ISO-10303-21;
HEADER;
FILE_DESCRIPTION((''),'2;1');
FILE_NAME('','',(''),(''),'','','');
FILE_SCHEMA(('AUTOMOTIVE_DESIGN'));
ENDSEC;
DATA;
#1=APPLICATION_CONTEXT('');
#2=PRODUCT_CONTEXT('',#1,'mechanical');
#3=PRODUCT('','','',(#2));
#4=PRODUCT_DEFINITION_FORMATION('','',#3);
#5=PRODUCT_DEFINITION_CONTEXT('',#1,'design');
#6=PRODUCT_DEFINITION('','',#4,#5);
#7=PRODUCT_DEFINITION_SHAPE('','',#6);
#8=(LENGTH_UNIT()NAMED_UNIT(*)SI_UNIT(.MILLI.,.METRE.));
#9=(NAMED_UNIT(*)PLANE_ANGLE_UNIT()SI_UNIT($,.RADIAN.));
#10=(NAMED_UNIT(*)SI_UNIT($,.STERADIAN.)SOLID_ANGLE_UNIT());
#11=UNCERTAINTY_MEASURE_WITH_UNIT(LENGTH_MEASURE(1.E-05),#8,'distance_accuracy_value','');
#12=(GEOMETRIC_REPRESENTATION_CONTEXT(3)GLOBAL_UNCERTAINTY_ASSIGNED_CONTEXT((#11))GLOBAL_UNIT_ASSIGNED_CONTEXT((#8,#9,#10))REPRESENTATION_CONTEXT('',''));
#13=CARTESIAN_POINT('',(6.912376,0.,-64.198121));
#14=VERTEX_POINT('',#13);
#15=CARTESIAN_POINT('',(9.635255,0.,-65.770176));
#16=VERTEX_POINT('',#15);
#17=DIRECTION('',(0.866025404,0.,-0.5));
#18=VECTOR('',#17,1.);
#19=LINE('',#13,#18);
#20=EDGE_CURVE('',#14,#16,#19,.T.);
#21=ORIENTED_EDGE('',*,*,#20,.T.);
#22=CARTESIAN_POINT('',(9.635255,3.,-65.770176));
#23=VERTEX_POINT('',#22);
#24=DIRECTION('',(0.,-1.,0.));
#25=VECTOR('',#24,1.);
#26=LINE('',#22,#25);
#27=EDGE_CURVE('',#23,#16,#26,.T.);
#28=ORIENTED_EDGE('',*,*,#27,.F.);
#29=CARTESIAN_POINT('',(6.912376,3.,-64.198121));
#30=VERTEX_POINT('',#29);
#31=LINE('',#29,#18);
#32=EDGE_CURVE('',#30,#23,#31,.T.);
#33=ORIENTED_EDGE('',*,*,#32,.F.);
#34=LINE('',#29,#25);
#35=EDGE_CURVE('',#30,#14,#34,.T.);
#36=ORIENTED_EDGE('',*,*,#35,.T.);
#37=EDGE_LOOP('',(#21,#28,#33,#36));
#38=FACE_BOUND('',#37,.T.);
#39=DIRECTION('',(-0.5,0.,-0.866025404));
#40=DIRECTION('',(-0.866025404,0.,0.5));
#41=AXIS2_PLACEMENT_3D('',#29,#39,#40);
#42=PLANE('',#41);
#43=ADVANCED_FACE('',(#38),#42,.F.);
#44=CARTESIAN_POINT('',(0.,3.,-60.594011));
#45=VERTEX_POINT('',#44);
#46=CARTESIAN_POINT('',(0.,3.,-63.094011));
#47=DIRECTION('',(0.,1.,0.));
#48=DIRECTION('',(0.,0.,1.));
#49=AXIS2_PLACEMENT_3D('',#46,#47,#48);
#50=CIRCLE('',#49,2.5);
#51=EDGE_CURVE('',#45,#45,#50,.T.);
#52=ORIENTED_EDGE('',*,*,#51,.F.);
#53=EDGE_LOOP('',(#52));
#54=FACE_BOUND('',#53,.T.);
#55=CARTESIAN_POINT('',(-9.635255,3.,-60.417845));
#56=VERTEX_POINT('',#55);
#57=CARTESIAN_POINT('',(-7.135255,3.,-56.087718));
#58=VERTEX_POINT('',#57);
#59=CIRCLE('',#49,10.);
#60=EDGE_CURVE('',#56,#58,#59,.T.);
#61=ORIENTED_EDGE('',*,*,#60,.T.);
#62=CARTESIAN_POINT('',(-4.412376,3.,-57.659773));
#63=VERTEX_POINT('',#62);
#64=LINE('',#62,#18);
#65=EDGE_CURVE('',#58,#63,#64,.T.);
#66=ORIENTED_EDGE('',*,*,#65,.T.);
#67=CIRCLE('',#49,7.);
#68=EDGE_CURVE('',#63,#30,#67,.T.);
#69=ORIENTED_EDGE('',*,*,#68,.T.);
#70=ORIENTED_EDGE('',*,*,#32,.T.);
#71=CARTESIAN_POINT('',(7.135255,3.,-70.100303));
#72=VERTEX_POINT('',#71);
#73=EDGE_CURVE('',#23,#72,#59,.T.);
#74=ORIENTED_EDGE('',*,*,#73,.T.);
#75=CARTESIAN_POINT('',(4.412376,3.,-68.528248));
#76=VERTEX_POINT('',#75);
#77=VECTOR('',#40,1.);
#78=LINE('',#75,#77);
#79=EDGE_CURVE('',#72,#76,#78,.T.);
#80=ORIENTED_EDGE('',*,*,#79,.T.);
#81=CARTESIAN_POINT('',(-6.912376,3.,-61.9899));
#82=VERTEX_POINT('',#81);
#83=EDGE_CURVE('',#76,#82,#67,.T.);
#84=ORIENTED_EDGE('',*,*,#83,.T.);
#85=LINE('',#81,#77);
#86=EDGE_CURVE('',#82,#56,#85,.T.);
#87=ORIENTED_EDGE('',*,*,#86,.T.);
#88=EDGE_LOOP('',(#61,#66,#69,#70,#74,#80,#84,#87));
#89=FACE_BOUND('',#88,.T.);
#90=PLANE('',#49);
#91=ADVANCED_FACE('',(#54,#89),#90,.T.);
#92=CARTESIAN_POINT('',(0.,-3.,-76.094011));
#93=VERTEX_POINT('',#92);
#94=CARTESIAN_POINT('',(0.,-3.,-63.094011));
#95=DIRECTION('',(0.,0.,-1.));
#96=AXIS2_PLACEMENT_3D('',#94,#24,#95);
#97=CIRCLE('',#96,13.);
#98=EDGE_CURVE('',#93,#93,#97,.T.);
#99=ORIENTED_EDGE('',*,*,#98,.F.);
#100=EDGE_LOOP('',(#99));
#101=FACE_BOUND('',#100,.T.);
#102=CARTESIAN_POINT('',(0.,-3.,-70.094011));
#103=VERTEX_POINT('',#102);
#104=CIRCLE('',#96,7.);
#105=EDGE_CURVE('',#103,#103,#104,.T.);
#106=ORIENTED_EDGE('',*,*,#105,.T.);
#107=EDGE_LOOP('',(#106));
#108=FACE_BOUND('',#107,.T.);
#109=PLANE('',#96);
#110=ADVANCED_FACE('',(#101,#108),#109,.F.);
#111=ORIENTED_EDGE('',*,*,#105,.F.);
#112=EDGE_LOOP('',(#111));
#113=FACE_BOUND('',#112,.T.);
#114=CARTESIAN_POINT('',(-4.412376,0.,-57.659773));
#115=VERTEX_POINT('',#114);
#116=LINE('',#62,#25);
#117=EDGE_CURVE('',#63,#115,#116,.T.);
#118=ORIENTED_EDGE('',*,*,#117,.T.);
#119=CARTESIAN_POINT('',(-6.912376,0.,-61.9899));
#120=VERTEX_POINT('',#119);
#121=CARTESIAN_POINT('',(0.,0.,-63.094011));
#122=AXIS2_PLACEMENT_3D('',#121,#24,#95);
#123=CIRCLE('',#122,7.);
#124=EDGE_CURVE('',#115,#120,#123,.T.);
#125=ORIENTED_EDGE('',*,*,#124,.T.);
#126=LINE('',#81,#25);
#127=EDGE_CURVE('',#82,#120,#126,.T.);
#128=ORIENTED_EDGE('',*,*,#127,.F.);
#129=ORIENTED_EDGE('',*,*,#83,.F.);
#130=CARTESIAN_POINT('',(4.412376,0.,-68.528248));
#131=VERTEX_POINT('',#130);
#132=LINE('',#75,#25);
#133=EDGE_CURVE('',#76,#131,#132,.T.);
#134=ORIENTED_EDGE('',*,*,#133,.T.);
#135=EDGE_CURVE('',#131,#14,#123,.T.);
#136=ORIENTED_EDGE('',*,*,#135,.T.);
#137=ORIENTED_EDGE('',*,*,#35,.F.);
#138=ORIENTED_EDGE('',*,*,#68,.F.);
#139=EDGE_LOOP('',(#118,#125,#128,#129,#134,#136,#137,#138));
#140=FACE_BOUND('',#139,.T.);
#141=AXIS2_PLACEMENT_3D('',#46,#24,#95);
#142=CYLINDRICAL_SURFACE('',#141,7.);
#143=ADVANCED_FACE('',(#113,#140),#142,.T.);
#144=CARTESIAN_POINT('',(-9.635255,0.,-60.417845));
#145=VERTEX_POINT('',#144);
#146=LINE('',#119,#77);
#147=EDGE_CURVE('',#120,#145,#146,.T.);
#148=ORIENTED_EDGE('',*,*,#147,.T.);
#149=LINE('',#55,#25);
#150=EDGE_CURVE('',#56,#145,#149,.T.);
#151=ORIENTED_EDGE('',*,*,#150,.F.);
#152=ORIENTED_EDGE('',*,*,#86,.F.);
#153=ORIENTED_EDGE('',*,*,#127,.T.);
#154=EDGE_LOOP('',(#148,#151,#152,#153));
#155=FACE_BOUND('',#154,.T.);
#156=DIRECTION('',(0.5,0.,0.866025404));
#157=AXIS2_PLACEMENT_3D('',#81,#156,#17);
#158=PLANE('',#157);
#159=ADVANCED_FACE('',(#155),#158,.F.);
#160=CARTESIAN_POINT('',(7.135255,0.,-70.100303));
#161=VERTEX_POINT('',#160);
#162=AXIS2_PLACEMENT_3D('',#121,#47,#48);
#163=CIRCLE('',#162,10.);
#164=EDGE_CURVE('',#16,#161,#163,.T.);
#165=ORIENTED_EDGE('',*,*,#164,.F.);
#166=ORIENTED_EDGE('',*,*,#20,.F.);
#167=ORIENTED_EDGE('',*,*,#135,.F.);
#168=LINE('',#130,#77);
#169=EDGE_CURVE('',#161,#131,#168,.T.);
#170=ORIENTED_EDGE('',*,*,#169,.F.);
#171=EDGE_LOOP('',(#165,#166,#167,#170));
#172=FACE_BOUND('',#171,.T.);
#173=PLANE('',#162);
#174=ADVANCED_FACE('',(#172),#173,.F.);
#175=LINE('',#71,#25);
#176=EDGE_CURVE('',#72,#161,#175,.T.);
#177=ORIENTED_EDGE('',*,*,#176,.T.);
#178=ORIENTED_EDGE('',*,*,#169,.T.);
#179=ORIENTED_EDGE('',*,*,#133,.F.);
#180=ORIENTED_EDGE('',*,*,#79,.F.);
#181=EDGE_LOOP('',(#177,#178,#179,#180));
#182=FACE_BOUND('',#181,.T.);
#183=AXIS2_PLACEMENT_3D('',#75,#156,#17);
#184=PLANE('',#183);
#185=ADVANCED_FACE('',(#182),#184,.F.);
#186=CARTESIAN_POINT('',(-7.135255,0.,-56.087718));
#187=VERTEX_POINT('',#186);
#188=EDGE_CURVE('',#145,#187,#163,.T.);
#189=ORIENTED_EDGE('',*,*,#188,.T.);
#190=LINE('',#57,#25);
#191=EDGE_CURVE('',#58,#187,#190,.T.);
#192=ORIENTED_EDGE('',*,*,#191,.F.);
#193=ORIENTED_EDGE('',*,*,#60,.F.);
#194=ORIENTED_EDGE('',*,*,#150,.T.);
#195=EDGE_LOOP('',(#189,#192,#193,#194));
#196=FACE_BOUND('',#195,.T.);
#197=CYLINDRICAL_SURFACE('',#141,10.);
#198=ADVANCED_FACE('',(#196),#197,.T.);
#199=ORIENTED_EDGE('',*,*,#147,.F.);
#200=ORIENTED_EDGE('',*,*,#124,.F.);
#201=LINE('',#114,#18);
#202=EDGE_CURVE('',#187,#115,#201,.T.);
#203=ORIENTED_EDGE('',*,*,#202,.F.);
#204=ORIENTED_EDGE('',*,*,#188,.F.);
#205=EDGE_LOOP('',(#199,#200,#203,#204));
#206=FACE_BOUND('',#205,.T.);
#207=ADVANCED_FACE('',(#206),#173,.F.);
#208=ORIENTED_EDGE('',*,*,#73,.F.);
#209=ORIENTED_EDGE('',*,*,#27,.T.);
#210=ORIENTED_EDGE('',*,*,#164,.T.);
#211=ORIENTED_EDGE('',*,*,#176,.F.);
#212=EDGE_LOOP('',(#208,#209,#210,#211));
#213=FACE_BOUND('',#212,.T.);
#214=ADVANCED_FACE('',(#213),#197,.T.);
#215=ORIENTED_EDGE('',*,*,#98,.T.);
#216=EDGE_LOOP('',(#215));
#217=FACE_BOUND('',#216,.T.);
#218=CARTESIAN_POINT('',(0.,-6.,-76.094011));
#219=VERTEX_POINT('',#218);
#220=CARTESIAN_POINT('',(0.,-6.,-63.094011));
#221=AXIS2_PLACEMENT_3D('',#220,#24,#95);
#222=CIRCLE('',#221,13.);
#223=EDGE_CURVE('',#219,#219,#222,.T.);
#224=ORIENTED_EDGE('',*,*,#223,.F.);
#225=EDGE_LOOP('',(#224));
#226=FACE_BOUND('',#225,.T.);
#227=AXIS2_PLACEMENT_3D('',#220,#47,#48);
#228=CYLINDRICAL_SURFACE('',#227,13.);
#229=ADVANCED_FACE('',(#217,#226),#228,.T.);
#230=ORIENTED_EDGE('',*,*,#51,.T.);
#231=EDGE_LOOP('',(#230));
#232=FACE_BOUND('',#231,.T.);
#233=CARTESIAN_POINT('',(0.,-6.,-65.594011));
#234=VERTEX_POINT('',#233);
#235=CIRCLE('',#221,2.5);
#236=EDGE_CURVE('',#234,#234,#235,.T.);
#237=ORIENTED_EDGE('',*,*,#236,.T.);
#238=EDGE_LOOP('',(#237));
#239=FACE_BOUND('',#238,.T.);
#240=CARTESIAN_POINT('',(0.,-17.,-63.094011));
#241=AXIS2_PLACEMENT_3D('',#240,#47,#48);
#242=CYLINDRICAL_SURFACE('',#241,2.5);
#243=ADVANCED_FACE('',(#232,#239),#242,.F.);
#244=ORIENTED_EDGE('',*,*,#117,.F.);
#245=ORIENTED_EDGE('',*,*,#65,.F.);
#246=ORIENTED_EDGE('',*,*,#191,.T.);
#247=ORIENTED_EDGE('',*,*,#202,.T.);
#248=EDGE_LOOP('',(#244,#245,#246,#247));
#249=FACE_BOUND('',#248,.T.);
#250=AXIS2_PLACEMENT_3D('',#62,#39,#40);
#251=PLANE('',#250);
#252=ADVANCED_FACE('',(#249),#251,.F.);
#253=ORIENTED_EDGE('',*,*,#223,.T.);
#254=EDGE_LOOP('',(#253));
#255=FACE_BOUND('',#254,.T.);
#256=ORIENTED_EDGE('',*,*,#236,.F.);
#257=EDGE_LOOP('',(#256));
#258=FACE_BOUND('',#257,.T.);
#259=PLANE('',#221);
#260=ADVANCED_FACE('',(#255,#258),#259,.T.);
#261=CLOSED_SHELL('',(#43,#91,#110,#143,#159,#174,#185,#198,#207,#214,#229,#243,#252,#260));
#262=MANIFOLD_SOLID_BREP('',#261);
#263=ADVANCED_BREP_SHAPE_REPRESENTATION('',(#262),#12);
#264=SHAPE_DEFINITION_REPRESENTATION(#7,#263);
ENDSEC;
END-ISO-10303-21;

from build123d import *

# Parameters (mm, degrees)
BOSS_EXTRUDE1_DEPTH = 3
BOSS_EXTRUDE2_START = 3
SKETCH2_R           = 7
BOSS_EXTRUDE2_DEPTH = 3
SKETCH3_R           = 13
BOSS_EXTRUDE3_DEPTH = 3
SKETCH4_R           = 2.5
CUT_EXTRUDE1_DEPTH  = 20


with BuildPart() as part:
    # Sketch1 → Boss-Extrude1 (new body)
    with BuildSketch(Plane(origin=(0, 0, 0), x_dir=(-1, 0, 0), z_dir=(0, 1, 0))):
        with BuildLine():
            Line((4.412375826, -57.65977305), (7.135254916, -56.087718075))
            ThreePointArc((7.135254916, -56.087718075), (8.660254038, -58.094010768), (9.635254916, -60.417845094))
            Line((9.635254916, -60.417845094), (6.912375826, -61.989900069))
            ThreePointArc((6.912375826, -61.989900069), (3.5, -69.156188594), (-4.412375826, -68.528248485))
            Line((-4.412375826, -68.528248485), (-7.135254916, -70.10030346))
            ThreePointArc((-7.135254916, -70.10030346), (-8.660254038, -68.094010768), (-9.635254916, -65.770176441))
            Line((-9.635254916, -65.770176441), (-6.912375826, -64.198121466))
            ThreePointArc((-6.912375826, -64.198121466), (-3.5, -57.031832941), (4.412375826, -57.65977305))
        make_face()
    extrude(amount=BOSS_EXTRUDE1_DEPTH)

    # Sketch2 → Boss-Extrude2 (add)
    with BuildSketch(Plane.XZ.offset(BOSS_EXTRUDE2_START)):
        with Locations(Location((0, -63.094010768, 0), (0, 0, 270))):
            Circle(SKETCH2_R)
    extrude(amount=-BOSS_EXTRUDE2_DEPTH)

    # Sketch3 → Boss-Extrude3 (add)
    with BuildSketch(Plane.XZ.offset(3)):
        with Locations(Location((0, -63.094010768, 0), (0, 0, 270))):
            Circle(SKETCH3_R)
    extrude(amount=BOSS_EXTRUDE3_DEPTH)

    # Sketch4 → Cut-Extrude1 (cut)
    with BuildSketch(Plane(origin=(0, 3, 0), x_dir=(1, 0, 0), z_dir=(0, 1, 0))):
        with Locations(Location((0, 63.094010768, 0), (0, 0, 270))):
            Circle(SKETCH4_R)
    extrude(amount=-CUT_EXTRUDE1_DEPTH, mode=Mode.SUBTRACT)


solid = part.part
